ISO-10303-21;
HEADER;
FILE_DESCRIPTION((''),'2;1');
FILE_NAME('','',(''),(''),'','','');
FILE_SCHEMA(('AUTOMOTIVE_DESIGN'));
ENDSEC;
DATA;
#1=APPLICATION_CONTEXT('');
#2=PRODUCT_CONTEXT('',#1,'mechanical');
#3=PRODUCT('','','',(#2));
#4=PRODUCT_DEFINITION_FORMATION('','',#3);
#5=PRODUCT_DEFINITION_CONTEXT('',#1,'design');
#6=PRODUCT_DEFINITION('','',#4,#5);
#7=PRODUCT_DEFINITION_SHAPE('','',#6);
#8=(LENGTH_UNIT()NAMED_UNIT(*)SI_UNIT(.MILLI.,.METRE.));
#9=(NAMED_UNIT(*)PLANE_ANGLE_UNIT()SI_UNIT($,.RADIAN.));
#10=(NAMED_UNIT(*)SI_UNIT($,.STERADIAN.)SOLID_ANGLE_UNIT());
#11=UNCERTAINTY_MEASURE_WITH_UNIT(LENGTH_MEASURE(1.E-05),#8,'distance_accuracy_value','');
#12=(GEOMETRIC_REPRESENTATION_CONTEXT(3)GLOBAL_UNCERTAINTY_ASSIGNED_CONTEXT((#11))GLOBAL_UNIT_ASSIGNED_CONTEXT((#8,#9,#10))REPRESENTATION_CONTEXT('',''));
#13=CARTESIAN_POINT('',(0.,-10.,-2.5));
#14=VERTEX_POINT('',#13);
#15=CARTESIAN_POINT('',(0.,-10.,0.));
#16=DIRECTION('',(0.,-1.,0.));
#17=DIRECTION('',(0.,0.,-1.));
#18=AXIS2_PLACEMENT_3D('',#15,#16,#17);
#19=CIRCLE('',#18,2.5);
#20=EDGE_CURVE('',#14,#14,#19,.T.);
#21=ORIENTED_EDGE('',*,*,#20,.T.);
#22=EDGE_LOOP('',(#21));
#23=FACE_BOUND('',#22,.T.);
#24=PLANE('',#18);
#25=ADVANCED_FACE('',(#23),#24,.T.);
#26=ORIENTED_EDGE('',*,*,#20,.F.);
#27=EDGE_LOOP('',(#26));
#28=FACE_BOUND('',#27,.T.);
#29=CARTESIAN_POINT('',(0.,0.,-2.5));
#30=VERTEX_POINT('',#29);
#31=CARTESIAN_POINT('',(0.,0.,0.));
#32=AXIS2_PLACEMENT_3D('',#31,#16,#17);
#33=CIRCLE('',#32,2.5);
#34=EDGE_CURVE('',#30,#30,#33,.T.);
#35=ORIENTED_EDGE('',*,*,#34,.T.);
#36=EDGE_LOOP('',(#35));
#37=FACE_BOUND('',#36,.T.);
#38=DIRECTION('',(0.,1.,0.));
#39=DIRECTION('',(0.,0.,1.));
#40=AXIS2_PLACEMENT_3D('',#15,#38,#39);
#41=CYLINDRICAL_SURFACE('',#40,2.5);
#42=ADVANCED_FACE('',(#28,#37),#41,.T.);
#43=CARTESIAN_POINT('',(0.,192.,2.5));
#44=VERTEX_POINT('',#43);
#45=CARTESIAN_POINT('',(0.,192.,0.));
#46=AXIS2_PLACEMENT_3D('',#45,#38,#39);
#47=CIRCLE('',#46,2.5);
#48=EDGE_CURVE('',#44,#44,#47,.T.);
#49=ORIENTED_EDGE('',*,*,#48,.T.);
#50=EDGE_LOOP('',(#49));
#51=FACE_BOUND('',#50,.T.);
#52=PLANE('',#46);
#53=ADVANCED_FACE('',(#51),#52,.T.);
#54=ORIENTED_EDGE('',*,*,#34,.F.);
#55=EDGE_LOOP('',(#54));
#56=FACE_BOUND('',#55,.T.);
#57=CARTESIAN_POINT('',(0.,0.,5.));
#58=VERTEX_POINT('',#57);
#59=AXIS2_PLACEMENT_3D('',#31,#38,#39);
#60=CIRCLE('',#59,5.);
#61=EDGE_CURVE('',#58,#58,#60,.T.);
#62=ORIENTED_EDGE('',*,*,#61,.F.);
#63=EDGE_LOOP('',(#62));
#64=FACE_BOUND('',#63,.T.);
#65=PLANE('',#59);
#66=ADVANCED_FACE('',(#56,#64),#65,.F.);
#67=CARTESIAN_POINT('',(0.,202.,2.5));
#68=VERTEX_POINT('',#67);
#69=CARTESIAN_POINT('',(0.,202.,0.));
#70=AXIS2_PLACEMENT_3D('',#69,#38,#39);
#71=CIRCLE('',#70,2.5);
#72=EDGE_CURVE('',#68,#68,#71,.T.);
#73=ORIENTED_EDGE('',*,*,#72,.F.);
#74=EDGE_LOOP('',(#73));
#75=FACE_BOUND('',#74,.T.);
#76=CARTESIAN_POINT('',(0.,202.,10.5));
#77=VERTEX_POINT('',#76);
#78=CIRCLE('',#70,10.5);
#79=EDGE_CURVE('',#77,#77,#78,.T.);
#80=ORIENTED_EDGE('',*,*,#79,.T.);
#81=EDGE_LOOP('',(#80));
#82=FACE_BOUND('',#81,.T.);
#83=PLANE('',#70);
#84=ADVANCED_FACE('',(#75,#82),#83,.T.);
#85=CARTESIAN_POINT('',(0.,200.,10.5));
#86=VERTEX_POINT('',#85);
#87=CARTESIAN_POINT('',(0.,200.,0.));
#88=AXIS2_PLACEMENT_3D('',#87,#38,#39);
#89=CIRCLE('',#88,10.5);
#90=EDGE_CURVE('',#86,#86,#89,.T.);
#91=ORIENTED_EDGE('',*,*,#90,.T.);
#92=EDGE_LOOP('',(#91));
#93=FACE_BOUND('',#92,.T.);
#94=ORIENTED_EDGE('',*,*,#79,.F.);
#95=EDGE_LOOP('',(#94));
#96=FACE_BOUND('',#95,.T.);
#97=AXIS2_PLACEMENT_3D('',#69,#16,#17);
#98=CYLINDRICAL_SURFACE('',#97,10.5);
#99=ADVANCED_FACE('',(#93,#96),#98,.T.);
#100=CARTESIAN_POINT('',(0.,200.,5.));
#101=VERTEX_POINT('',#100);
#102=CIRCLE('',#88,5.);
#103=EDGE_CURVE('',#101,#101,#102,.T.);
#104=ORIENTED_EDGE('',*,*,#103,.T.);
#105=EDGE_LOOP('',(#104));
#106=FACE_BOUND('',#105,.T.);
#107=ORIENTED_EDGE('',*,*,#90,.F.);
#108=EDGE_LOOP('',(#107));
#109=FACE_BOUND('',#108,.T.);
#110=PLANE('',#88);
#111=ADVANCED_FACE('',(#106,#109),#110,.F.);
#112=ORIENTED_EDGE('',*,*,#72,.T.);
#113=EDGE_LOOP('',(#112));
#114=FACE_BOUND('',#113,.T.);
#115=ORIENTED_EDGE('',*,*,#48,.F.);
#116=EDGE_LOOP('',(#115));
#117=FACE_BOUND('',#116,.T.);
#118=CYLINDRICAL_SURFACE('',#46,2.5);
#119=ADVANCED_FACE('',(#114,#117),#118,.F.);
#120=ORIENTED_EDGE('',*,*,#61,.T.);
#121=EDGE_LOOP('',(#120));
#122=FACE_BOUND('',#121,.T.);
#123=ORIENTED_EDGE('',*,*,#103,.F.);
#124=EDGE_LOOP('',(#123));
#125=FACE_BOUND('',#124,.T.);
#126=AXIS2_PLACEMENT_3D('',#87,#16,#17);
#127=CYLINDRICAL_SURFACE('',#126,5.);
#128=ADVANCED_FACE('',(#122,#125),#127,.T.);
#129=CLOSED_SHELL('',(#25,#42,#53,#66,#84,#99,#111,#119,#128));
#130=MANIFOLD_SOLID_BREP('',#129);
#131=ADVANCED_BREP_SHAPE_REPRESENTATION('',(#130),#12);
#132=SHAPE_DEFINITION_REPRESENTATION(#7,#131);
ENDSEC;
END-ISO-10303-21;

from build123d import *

# Parameters (mm, degrees)
SKETCH2_R           = 5
BOSS_EXTRUDE1_DEPTH = 200
SKETCH3_R           = 10.5
BOSS_EXTRUDE2_DEPTH = 2
SKETCH4_R           = 2.5
CUT_EXTRUDE1_DEPTH  = 10
SKETCH5_R           = 2.5
BOSS_EXTRUDE3_DEPTH = 10


with BuildPart() as part:
    # Sketch2 → Boss-Extrude1 (new body)
    with BuildSketch(Plane(origin=(0, 0, 0), x_dir=(1, 0, 0), z_dir=(0, 1, 0))):
        with Locations(Location((0, 0, 0), (0, 0, 270))):
            Circle(SKETCH2_R)
    extrude(amount=BOSS_EXTRUDE1_DEPTH)

    # Sketch3 → Boss-Extrude2 (add)
    with BuildSketch(Plane(origin=(0, 200, 0), x_dir=(1, 0, 0), z_dir=(0, 1, 0))):
        with Locations(Location((0, 0, 0), (0, 0, 270))):
            Circle(SKETCH3_R)
    extrude(amount=BOSS_EXTRUDE2_DEPTH)

    # Sketch4 → Cut-Extrude1 (cut)
    with BuildSketch(Plane(origin=(0, 202, 0), x_dir=(1, 0, 0), z_dir=(0, 1, 0))):
        with Locations(Location((0, 0, 0), (0, 0, 270))):
            Circle(SKETCH4_R)
    extrude(amount=-CUT_EXTRUDE1_DEPTH, mode=Mode.SUBTRACT)

    # Sketch5 → Boss-Extrude3 (add)
    with BuildSketch(Plane.XZ):
        with Locations(Location((0, 0, 0), (0, 0, 90))):
            Circle(SKETCH5_R)
    extrude(amount=BOSS_EXTRUDE3_DEPTH)


solid = part.part
